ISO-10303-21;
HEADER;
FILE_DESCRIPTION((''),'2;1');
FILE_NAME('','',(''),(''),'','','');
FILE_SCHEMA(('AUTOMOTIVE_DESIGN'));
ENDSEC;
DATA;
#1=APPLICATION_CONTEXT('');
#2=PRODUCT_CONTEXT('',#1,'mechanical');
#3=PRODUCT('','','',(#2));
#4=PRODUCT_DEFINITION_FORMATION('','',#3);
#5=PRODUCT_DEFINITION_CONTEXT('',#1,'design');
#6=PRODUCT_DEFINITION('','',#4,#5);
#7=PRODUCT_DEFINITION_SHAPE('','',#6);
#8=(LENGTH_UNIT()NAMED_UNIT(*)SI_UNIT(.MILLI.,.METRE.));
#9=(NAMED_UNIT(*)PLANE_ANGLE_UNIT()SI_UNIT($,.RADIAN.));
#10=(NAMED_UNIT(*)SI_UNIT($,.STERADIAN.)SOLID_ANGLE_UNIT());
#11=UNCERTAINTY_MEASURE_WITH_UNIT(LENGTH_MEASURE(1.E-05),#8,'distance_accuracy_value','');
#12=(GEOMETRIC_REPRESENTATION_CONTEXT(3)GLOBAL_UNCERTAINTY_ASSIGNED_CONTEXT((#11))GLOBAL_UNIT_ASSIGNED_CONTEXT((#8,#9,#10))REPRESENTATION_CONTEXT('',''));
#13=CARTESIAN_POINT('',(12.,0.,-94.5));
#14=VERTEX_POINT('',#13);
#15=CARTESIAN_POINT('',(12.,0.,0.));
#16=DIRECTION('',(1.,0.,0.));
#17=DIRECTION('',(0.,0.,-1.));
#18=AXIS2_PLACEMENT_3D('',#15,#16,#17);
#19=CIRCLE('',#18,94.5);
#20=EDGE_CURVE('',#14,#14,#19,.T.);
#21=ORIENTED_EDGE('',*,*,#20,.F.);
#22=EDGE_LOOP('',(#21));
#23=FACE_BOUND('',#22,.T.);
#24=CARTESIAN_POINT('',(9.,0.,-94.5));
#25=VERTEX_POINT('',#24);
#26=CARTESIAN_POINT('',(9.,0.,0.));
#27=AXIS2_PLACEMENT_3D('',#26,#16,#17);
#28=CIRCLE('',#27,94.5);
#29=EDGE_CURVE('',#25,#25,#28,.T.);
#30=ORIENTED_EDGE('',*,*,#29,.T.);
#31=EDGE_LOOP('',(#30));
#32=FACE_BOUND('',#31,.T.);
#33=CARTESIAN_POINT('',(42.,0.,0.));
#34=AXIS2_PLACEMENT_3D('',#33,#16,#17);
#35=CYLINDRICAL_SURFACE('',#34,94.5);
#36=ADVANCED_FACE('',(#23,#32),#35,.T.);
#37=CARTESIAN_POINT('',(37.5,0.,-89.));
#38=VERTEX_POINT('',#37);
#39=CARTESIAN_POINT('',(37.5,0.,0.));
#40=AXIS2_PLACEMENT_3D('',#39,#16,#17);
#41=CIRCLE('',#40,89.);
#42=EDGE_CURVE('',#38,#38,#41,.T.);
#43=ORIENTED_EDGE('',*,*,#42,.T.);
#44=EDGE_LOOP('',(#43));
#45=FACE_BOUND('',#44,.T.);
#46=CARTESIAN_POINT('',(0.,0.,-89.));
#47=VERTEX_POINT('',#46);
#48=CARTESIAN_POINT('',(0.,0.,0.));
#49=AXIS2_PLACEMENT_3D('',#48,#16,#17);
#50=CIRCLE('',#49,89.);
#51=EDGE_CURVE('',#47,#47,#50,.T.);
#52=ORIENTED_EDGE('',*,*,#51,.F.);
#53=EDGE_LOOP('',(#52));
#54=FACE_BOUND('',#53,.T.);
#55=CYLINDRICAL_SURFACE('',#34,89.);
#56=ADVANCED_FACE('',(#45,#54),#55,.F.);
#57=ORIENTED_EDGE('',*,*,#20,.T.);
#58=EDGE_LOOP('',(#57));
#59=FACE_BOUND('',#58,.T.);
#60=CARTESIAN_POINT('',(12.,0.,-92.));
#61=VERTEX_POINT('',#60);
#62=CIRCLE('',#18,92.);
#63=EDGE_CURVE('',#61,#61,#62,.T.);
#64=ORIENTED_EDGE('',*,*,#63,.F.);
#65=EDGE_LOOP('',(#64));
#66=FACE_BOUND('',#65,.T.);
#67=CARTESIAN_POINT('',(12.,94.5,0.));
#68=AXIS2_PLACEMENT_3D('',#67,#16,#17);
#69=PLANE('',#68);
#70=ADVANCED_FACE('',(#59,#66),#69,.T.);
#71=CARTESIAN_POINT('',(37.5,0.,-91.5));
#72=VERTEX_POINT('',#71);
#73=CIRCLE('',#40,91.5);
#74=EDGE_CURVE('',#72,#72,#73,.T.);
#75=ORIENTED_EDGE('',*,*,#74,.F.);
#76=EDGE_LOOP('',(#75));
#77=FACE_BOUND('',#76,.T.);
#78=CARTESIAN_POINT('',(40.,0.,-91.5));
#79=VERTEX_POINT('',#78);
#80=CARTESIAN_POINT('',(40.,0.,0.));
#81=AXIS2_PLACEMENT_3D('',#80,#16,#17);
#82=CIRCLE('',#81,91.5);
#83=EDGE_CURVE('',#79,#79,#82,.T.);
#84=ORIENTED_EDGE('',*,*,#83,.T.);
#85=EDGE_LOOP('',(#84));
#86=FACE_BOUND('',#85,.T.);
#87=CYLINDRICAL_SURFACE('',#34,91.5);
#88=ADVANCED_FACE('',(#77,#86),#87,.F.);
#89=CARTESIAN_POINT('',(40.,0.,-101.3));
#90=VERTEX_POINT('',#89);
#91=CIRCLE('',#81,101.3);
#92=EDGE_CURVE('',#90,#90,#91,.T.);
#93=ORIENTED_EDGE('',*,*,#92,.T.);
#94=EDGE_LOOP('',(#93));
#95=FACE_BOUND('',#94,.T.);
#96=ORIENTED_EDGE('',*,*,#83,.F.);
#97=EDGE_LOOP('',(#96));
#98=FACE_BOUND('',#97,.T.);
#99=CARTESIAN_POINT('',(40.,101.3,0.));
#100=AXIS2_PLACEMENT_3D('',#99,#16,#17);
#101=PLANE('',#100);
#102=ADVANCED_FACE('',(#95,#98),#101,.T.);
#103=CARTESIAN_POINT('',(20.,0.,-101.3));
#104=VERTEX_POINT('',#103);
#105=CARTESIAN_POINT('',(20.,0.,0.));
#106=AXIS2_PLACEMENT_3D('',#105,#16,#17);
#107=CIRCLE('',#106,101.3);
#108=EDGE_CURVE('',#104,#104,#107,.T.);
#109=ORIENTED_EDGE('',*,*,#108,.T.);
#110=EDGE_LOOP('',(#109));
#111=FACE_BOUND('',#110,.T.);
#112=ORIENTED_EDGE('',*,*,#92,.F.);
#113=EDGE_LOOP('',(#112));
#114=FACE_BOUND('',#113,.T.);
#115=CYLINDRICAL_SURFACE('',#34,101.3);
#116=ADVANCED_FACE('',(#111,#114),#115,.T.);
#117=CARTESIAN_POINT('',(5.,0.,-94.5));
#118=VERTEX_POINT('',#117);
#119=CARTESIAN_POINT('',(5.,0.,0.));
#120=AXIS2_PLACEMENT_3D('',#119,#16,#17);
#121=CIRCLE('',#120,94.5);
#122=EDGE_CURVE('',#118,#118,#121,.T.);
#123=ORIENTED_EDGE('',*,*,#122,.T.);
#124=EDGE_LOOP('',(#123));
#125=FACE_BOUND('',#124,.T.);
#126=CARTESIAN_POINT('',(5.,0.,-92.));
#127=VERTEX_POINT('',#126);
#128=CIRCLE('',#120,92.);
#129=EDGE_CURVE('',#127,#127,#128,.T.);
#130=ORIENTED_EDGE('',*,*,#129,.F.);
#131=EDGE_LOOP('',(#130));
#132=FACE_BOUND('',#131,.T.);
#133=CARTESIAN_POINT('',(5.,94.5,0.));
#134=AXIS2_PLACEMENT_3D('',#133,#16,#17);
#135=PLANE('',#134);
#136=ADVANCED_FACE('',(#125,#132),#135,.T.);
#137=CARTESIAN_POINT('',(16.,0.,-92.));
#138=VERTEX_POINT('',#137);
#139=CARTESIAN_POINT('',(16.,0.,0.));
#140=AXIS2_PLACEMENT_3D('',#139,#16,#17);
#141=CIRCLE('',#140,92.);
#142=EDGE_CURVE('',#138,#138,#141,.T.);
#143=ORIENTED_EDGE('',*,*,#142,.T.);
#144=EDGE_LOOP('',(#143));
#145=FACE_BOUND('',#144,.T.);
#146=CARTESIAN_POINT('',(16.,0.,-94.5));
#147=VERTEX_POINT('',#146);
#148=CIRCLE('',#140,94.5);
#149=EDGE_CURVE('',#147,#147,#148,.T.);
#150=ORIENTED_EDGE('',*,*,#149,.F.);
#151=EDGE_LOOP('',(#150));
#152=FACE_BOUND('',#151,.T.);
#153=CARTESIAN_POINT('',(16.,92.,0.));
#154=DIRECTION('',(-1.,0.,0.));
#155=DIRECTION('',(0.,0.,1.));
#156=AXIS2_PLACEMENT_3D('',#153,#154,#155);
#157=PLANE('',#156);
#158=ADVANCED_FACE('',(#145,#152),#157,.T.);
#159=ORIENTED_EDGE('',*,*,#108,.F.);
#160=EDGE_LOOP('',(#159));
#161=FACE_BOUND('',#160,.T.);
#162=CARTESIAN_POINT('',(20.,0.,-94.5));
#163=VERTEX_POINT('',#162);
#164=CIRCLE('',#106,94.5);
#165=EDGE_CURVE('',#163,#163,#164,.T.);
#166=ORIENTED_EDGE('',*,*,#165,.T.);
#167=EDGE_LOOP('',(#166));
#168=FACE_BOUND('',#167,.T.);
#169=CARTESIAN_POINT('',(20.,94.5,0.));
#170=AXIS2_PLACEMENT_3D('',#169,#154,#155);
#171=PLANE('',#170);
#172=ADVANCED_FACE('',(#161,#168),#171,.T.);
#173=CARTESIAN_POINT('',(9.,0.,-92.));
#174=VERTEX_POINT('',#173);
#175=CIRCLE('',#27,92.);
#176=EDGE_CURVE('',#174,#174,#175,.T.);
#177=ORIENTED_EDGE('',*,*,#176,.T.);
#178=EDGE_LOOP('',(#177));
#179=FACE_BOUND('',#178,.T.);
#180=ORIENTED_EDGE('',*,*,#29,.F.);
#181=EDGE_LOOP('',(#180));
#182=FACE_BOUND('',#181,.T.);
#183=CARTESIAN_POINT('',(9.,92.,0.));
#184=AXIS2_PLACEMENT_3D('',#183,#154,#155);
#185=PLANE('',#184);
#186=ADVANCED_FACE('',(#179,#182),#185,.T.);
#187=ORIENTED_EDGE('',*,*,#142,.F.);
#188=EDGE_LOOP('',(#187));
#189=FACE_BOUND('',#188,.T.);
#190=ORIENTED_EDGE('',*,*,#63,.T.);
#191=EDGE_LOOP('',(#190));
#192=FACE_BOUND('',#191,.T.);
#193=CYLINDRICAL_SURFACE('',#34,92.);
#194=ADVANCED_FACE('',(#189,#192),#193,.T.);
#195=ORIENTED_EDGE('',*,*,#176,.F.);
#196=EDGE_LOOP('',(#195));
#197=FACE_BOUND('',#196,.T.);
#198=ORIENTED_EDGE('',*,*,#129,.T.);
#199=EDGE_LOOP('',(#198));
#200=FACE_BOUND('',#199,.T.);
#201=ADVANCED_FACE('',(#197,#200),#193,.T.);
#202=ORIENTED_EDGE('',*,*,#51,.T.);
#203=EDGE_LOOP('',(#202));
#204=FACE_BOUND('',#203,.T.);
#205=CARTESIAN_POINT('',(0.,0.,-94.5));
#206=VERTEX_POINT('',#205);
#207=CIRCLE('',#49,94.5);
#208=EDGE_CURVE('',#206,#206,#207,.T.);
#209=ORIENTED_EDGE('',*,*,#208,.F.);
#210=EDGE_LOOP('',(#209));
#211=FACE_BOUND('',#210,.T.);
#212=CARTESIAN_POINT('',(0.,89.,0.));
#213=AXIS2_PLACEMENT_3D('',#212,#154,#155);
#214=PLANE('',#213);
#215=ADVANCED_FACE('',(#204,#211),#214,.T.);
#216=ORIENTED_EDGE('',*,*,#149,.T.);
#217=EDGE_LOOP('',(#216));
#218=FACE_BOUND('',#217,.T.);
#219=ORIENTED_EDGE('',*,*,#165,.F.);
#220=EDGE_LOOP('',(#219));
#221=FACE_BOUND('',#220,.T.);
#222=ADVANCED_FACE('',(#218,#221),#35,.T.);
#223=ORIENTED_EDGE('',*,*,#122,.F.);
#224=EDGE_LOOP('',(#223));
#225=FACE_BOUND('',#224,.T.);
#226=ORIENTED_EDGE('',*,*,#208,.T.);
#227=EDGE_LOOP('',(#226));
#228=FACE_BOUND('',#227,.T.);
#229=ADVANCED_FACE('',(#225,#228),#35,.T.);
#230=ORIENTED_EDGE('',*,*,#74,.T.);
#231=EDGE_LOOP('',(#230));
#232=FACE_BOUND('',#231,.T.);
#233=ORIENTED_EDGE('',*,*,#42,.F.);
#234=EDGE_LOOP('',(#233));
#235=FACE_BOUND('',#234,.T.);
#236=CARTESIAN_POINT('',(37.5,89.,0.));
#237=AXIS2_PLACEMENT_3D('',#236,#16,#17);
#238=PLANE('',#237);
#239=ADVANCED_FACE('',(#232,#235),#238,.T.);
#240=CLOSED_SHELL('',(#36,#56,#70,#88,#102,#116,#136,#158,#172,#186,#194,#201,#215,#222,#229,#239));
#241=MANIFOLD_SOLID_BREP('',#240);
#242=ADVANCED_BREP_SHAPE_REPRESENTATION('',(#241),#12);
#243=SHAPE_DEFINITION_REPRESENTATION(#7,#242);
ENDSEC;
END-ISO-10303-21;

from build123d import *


with BuildPart() as part:
    # Sketch1 → Revolve1 (revolve)
    with BuildSketch(Plane.XY):
        Polygon((0, 89), (37.5, 89), (37.5, 91.5), (40, 91.5), (40, 101.3), (20, 101.3), (20, 94.5), (16, 94.5), (16, 92), (12, 92), (12, 94.5), (9, 94.5), (9, 92), (5, 92), (5, 94.5), (0, 94.5), align=None)
    revolve(axis=Axis((42, 0, 0), (-1, 0, 0)))


solid = part.part
